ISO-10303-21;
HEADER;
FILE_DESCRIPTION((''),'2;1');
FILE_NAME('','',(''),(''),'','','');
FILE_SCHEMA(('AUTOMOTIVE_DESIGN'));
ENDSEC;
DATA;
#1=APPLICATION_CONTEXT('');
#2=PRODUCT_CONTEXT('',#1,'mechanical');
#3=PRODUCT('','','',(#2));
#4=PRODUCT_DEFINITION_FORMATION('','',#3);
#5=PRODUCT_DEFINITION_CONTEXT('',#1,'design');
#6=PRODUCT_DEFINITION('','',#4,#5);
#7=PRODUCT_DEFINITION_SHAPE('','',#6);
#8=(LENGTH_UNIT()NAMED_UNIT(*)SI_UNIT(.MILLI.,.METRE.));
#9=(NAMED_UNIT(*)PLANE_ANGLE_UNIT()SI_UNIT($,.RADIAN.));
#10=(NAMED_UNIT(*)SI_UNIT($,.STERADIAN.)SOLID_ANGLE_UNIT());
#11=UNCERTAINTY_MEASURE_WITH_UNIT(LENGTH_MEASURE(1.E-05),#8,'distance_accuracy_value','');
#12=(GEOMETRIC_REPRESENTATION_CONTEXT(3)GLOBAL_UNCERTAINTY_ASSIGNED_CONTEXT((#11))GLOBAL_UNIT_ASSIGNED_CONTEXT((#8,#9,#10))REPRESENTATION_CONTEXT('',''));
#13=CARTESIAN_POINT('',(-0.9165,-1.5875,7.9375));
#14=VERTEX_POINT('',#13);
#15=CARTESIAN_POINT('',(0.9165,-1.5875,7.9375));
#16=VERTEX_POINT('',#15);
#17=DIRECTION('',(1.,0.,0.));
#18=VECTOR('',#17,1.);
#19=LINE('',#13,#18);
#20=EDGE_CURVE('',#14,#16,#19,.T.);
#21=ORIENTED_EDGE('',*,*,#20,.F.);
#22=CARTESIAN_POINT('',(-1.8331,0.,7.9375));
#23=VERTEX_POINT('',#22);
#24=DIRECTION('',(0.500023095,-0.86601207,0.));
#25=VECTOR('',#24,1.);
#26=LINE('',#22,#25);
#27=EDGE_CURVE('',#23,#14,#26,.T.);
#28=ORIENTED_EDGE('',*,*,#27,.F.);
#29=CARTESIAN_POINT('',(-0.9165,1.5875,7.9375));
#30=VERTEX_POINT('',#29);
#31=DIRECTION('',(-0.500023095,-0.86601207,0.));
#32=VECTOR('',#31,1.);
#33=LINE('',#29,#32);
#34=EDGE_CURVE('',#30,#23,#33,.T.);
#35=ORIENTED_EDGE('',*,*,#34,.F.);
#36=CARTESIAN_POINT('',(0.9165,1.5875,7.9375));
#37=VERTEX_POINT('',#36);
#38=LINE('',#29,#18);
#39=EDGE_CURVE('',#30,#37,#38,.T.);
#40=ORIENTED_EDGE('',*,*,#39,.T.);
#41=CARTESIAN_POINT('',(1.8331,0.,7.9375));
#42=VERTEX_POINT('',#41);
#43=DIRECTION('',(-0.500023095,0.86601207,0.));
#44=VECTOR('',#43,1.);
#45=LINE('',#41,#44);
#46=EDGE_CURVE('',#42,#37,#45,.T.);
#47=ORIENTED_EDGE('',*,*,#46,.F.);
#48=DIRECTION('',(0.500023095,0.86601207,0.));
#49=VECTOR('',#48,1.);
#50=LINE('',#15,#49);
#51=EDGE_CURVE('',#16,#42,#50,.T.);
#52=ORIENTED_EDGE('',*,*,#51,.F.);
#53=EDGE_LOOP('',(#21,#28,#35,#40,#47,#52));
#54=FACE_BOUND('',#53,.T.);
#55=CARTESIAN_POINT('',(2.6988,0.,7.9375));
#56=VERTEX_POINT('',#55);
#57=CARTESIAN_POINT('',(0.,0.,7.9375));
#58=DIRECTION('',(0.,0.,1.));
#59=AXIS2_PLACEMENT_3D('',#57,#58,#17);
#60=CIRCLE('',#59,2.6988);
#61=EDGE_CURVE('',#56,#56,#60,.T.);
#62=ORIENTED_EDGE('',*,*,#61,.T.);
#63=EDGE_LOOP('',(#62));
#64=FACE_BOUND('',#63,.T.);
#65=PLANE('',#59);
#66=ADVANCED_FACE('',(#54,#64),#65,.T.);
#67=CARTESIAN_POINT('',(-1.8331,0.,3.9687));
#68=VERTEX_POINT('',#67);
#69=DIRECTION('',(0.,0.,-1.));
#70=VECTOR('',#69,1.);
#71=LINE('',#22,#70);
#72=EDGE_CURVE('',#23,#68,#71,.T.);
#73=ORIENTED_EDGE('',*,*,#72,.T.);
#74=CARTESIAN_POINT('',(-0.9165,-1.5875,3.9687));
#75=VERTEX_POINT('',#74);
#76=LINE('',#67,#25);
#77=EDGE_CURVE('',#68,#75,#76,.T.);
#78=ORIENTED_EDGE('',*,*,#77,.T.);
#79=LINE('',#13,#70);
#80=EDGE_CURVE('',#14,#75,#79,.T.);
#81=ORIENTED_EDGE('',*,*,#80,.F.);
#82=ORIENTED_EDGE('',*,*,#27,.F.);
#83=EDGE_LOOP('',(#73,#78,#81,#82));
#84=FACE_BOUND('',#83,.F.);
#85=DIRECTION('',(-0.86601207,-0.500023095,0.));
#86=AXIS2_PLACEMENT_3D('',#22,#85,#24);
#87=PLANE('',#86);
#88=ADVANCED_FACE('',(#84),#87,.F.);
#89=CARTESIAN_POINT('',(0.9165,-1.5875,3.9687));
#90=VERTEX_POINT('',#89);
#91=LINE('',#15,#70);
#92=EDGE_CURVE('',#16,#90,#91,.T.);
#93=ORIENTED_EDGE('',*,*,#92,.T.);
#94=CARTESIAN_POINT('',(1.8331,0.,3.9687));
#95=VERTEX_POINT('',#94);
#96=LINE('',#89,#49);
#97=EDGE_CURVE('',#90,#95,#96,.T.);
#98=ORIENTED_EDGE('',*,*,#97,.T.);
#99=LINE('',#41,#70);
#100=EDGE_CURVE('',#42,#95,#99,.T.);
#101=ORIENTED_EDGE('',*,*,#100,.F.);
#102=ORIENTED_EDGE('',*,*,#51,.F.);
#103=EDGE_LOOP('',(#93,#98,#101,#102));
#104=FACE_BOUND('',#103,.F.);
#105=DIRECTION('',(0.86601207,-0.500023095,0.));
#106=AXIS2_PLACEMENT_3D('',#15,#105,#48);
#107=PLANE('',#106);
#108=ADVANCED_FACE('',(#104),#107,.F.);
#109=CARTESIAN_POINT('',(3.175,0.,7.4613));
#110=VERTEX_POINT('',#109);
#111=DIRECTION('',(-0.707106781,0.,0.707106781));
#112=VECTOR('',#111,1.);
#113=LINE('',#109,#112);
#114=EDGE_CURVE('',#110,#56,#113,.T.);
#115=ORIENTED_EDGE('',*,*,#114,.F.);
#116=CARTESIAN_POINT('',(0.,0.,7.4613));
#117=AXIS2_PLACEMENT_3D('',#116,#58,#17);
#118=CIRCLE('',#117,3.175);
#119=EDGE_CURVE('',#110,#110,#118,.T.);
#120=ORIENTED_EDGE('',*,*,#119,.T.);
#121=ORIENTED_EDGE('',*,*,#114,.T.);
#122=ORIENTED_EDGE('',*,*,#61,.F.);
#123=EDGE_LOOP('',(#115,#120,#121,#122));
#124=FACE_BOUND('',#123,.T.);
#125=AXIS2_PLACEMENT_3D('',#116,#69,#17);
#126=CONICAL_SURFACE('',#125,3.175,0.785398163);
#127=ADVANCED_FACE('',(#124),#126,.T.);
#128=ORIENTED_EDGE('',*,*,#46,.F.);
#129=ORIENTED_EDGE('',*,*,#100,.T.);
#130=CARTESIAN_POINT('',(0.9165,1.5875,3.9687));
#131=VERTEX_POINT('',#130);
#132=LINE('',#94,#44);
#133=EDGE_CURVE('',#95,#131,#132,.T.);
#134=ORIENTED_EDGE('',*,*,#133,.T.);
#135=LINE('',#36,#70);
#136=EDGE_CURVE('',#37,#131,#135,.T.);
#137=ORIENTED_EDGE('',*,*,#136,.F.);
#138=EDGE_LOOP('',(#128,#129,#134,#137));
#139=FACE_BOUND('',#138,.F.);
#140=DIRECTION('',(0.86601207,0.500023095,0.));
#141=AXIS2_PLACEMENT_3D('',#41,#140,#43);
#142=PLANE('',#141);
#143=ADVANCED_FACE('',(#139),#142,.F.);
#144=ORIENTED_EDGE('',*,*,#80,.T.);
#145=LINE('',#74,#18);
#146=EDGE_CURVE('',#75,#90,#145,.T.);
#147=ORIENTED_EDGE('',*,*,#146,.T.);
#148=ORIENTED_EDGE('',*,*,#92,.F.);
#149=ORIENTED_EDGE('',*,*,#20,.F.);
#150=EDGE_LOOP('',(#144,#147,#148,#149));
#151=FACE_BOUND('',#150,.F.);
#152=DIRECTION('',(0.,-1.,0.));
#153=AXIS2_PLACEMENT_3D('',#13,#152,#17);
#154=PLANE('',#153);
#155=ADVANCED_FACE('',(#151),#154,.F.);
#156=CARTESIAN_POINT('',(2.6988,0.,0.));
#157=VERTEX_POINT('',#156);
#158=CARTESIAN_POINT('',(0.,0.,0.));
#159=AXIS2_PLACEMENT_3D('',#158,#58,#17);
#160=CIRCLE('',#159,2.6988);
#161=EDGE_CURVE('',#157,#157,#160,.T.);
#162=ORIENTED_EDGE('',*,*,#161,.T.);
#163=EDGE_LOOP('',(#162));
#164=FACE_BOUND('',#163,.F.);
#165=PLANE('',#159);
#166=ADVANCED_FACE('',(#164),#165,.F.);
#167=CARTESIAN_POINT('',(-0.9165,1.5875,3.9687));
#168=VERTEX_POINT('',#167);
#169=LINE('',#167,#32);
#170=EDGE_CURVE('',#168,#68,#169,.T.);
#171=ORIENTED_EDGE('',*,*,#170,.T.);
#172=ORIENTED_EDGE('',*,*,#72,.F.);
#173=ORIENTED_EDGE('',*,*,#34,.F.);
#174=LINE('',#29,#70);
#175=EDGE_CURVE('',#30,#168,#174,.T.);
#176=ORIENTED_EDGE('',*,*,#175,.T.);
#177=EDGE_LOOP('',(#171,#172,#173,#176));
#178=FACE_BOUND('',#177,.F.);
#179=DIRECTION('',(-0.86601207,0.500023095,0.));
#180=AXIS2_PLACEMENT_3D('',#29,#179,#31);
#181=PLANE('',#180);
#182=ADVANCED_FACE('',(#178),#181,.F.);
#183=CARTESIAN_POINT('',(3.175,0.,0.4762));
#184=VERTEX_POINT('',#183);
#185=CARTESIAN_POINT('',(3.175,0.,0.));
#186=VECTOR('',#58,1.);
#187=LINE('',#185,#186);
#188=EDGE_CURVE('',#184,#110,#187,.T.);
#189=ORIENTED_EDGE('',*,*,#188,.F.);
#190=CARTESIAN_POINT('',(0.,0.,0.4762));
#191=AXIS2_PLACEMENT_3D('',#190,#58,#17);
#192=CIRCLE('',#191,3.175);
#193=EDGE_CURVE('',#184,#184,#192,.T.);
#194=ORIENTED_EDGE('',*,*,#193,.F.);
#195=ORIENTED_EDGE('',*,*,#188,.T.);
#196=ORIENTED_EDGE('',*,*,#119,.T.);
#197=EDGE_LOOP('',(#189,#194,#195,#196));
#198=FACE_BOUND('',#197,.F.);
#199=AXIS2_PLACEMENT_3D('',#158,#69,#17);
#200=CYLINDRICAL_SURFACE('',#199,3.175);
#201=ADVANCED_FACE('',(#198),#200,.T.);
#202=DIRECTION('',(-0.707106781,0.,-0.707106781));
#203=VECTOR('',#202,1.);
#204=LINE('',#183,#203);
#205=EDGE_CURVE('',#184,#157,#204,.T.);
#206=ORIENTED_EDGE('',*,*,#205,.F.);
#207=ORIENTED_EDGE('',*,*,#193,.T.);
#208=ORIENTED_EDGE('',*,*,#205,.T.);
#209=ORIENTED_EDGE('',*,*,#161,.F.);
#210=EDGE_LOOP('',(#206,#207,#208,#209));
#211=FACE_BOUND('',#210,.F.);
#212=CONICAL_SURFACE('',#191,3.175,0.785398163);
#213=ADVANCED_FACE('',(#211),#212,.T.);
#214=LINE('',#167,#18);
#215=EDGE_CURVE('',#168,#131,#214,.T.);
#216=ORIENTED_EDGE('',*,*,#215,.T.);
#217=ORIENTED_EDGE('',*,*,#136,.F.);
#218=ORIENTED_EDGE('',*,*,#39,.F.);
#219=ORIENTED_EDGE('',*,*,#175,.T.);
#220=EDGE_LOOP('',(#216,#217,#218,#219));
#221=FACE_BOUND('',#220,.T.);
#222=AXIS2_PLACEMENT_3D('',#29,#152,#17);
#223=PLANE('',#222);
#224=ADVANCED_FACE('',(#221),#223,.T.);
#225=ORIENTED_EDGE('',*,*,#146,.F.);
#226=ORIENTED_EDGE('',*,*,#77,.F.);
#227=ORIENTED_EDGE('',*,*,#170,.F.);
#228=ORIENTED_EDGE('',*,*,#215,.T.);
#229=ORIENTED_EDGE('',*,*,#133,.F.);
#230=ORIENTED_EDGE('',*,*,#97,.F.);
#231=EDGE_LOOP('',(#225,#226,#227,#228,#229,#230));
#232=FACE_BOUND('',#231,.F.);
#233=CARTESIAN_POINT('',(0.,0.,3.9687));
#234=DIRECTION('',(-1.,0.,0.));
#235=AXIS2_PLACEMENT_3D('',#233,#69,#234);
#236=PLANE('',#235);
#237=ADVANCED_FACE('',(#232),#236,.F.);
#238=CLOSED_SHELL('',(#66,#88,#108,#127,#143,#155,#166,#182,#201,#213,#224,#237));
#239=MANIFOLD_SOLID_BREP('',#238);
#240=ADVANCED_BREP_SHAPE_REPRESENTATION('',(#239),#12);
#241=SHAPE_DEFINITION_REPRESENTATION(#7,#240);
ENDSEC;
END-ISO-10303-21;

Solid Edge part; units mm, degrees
sketch "Sketch1" plane through (0, 0, 0) normal (0, 0, 1) x (1, 0, 0)
  circle A0 centre (0, 0) radius 3.175
  dimension "D1" = 6.35
extrude "Protrusion1" add sketch "Sketch1" along normal blind 7.9375
chamfer "Chamfer1" distance 0.4762 angle 45 2 edges at (-3.175, 0, 0) (-3.175, 0, 7.9375)
sketch "Sketch2" plane through (0, 0, 7.9375) normal (0, 0, 1) x (1, 0, 0)
  line L0 (-0.9165, 1.5875) -> (0.9165, 1.5875)
  line L1 (1.8331, 0) -> (0.9165, 1.5875)
  line L2 (0.9165, -1.5875) -> (1.8331, 0)
  line L3 (-0.9165, -1.5875) -> (0.9165, -1.5875)
  line L4 (-1.8331, 0) -> (-0.9165, -1.5875)
  line L5 (-0.9165, 1.5875) -> (-1.8331, 0)
  dimension "D1" = 3.175
extrude "Cutout1" cut sketch "Sketch2" against normal blind 3.9688
properties part number "24100154"
